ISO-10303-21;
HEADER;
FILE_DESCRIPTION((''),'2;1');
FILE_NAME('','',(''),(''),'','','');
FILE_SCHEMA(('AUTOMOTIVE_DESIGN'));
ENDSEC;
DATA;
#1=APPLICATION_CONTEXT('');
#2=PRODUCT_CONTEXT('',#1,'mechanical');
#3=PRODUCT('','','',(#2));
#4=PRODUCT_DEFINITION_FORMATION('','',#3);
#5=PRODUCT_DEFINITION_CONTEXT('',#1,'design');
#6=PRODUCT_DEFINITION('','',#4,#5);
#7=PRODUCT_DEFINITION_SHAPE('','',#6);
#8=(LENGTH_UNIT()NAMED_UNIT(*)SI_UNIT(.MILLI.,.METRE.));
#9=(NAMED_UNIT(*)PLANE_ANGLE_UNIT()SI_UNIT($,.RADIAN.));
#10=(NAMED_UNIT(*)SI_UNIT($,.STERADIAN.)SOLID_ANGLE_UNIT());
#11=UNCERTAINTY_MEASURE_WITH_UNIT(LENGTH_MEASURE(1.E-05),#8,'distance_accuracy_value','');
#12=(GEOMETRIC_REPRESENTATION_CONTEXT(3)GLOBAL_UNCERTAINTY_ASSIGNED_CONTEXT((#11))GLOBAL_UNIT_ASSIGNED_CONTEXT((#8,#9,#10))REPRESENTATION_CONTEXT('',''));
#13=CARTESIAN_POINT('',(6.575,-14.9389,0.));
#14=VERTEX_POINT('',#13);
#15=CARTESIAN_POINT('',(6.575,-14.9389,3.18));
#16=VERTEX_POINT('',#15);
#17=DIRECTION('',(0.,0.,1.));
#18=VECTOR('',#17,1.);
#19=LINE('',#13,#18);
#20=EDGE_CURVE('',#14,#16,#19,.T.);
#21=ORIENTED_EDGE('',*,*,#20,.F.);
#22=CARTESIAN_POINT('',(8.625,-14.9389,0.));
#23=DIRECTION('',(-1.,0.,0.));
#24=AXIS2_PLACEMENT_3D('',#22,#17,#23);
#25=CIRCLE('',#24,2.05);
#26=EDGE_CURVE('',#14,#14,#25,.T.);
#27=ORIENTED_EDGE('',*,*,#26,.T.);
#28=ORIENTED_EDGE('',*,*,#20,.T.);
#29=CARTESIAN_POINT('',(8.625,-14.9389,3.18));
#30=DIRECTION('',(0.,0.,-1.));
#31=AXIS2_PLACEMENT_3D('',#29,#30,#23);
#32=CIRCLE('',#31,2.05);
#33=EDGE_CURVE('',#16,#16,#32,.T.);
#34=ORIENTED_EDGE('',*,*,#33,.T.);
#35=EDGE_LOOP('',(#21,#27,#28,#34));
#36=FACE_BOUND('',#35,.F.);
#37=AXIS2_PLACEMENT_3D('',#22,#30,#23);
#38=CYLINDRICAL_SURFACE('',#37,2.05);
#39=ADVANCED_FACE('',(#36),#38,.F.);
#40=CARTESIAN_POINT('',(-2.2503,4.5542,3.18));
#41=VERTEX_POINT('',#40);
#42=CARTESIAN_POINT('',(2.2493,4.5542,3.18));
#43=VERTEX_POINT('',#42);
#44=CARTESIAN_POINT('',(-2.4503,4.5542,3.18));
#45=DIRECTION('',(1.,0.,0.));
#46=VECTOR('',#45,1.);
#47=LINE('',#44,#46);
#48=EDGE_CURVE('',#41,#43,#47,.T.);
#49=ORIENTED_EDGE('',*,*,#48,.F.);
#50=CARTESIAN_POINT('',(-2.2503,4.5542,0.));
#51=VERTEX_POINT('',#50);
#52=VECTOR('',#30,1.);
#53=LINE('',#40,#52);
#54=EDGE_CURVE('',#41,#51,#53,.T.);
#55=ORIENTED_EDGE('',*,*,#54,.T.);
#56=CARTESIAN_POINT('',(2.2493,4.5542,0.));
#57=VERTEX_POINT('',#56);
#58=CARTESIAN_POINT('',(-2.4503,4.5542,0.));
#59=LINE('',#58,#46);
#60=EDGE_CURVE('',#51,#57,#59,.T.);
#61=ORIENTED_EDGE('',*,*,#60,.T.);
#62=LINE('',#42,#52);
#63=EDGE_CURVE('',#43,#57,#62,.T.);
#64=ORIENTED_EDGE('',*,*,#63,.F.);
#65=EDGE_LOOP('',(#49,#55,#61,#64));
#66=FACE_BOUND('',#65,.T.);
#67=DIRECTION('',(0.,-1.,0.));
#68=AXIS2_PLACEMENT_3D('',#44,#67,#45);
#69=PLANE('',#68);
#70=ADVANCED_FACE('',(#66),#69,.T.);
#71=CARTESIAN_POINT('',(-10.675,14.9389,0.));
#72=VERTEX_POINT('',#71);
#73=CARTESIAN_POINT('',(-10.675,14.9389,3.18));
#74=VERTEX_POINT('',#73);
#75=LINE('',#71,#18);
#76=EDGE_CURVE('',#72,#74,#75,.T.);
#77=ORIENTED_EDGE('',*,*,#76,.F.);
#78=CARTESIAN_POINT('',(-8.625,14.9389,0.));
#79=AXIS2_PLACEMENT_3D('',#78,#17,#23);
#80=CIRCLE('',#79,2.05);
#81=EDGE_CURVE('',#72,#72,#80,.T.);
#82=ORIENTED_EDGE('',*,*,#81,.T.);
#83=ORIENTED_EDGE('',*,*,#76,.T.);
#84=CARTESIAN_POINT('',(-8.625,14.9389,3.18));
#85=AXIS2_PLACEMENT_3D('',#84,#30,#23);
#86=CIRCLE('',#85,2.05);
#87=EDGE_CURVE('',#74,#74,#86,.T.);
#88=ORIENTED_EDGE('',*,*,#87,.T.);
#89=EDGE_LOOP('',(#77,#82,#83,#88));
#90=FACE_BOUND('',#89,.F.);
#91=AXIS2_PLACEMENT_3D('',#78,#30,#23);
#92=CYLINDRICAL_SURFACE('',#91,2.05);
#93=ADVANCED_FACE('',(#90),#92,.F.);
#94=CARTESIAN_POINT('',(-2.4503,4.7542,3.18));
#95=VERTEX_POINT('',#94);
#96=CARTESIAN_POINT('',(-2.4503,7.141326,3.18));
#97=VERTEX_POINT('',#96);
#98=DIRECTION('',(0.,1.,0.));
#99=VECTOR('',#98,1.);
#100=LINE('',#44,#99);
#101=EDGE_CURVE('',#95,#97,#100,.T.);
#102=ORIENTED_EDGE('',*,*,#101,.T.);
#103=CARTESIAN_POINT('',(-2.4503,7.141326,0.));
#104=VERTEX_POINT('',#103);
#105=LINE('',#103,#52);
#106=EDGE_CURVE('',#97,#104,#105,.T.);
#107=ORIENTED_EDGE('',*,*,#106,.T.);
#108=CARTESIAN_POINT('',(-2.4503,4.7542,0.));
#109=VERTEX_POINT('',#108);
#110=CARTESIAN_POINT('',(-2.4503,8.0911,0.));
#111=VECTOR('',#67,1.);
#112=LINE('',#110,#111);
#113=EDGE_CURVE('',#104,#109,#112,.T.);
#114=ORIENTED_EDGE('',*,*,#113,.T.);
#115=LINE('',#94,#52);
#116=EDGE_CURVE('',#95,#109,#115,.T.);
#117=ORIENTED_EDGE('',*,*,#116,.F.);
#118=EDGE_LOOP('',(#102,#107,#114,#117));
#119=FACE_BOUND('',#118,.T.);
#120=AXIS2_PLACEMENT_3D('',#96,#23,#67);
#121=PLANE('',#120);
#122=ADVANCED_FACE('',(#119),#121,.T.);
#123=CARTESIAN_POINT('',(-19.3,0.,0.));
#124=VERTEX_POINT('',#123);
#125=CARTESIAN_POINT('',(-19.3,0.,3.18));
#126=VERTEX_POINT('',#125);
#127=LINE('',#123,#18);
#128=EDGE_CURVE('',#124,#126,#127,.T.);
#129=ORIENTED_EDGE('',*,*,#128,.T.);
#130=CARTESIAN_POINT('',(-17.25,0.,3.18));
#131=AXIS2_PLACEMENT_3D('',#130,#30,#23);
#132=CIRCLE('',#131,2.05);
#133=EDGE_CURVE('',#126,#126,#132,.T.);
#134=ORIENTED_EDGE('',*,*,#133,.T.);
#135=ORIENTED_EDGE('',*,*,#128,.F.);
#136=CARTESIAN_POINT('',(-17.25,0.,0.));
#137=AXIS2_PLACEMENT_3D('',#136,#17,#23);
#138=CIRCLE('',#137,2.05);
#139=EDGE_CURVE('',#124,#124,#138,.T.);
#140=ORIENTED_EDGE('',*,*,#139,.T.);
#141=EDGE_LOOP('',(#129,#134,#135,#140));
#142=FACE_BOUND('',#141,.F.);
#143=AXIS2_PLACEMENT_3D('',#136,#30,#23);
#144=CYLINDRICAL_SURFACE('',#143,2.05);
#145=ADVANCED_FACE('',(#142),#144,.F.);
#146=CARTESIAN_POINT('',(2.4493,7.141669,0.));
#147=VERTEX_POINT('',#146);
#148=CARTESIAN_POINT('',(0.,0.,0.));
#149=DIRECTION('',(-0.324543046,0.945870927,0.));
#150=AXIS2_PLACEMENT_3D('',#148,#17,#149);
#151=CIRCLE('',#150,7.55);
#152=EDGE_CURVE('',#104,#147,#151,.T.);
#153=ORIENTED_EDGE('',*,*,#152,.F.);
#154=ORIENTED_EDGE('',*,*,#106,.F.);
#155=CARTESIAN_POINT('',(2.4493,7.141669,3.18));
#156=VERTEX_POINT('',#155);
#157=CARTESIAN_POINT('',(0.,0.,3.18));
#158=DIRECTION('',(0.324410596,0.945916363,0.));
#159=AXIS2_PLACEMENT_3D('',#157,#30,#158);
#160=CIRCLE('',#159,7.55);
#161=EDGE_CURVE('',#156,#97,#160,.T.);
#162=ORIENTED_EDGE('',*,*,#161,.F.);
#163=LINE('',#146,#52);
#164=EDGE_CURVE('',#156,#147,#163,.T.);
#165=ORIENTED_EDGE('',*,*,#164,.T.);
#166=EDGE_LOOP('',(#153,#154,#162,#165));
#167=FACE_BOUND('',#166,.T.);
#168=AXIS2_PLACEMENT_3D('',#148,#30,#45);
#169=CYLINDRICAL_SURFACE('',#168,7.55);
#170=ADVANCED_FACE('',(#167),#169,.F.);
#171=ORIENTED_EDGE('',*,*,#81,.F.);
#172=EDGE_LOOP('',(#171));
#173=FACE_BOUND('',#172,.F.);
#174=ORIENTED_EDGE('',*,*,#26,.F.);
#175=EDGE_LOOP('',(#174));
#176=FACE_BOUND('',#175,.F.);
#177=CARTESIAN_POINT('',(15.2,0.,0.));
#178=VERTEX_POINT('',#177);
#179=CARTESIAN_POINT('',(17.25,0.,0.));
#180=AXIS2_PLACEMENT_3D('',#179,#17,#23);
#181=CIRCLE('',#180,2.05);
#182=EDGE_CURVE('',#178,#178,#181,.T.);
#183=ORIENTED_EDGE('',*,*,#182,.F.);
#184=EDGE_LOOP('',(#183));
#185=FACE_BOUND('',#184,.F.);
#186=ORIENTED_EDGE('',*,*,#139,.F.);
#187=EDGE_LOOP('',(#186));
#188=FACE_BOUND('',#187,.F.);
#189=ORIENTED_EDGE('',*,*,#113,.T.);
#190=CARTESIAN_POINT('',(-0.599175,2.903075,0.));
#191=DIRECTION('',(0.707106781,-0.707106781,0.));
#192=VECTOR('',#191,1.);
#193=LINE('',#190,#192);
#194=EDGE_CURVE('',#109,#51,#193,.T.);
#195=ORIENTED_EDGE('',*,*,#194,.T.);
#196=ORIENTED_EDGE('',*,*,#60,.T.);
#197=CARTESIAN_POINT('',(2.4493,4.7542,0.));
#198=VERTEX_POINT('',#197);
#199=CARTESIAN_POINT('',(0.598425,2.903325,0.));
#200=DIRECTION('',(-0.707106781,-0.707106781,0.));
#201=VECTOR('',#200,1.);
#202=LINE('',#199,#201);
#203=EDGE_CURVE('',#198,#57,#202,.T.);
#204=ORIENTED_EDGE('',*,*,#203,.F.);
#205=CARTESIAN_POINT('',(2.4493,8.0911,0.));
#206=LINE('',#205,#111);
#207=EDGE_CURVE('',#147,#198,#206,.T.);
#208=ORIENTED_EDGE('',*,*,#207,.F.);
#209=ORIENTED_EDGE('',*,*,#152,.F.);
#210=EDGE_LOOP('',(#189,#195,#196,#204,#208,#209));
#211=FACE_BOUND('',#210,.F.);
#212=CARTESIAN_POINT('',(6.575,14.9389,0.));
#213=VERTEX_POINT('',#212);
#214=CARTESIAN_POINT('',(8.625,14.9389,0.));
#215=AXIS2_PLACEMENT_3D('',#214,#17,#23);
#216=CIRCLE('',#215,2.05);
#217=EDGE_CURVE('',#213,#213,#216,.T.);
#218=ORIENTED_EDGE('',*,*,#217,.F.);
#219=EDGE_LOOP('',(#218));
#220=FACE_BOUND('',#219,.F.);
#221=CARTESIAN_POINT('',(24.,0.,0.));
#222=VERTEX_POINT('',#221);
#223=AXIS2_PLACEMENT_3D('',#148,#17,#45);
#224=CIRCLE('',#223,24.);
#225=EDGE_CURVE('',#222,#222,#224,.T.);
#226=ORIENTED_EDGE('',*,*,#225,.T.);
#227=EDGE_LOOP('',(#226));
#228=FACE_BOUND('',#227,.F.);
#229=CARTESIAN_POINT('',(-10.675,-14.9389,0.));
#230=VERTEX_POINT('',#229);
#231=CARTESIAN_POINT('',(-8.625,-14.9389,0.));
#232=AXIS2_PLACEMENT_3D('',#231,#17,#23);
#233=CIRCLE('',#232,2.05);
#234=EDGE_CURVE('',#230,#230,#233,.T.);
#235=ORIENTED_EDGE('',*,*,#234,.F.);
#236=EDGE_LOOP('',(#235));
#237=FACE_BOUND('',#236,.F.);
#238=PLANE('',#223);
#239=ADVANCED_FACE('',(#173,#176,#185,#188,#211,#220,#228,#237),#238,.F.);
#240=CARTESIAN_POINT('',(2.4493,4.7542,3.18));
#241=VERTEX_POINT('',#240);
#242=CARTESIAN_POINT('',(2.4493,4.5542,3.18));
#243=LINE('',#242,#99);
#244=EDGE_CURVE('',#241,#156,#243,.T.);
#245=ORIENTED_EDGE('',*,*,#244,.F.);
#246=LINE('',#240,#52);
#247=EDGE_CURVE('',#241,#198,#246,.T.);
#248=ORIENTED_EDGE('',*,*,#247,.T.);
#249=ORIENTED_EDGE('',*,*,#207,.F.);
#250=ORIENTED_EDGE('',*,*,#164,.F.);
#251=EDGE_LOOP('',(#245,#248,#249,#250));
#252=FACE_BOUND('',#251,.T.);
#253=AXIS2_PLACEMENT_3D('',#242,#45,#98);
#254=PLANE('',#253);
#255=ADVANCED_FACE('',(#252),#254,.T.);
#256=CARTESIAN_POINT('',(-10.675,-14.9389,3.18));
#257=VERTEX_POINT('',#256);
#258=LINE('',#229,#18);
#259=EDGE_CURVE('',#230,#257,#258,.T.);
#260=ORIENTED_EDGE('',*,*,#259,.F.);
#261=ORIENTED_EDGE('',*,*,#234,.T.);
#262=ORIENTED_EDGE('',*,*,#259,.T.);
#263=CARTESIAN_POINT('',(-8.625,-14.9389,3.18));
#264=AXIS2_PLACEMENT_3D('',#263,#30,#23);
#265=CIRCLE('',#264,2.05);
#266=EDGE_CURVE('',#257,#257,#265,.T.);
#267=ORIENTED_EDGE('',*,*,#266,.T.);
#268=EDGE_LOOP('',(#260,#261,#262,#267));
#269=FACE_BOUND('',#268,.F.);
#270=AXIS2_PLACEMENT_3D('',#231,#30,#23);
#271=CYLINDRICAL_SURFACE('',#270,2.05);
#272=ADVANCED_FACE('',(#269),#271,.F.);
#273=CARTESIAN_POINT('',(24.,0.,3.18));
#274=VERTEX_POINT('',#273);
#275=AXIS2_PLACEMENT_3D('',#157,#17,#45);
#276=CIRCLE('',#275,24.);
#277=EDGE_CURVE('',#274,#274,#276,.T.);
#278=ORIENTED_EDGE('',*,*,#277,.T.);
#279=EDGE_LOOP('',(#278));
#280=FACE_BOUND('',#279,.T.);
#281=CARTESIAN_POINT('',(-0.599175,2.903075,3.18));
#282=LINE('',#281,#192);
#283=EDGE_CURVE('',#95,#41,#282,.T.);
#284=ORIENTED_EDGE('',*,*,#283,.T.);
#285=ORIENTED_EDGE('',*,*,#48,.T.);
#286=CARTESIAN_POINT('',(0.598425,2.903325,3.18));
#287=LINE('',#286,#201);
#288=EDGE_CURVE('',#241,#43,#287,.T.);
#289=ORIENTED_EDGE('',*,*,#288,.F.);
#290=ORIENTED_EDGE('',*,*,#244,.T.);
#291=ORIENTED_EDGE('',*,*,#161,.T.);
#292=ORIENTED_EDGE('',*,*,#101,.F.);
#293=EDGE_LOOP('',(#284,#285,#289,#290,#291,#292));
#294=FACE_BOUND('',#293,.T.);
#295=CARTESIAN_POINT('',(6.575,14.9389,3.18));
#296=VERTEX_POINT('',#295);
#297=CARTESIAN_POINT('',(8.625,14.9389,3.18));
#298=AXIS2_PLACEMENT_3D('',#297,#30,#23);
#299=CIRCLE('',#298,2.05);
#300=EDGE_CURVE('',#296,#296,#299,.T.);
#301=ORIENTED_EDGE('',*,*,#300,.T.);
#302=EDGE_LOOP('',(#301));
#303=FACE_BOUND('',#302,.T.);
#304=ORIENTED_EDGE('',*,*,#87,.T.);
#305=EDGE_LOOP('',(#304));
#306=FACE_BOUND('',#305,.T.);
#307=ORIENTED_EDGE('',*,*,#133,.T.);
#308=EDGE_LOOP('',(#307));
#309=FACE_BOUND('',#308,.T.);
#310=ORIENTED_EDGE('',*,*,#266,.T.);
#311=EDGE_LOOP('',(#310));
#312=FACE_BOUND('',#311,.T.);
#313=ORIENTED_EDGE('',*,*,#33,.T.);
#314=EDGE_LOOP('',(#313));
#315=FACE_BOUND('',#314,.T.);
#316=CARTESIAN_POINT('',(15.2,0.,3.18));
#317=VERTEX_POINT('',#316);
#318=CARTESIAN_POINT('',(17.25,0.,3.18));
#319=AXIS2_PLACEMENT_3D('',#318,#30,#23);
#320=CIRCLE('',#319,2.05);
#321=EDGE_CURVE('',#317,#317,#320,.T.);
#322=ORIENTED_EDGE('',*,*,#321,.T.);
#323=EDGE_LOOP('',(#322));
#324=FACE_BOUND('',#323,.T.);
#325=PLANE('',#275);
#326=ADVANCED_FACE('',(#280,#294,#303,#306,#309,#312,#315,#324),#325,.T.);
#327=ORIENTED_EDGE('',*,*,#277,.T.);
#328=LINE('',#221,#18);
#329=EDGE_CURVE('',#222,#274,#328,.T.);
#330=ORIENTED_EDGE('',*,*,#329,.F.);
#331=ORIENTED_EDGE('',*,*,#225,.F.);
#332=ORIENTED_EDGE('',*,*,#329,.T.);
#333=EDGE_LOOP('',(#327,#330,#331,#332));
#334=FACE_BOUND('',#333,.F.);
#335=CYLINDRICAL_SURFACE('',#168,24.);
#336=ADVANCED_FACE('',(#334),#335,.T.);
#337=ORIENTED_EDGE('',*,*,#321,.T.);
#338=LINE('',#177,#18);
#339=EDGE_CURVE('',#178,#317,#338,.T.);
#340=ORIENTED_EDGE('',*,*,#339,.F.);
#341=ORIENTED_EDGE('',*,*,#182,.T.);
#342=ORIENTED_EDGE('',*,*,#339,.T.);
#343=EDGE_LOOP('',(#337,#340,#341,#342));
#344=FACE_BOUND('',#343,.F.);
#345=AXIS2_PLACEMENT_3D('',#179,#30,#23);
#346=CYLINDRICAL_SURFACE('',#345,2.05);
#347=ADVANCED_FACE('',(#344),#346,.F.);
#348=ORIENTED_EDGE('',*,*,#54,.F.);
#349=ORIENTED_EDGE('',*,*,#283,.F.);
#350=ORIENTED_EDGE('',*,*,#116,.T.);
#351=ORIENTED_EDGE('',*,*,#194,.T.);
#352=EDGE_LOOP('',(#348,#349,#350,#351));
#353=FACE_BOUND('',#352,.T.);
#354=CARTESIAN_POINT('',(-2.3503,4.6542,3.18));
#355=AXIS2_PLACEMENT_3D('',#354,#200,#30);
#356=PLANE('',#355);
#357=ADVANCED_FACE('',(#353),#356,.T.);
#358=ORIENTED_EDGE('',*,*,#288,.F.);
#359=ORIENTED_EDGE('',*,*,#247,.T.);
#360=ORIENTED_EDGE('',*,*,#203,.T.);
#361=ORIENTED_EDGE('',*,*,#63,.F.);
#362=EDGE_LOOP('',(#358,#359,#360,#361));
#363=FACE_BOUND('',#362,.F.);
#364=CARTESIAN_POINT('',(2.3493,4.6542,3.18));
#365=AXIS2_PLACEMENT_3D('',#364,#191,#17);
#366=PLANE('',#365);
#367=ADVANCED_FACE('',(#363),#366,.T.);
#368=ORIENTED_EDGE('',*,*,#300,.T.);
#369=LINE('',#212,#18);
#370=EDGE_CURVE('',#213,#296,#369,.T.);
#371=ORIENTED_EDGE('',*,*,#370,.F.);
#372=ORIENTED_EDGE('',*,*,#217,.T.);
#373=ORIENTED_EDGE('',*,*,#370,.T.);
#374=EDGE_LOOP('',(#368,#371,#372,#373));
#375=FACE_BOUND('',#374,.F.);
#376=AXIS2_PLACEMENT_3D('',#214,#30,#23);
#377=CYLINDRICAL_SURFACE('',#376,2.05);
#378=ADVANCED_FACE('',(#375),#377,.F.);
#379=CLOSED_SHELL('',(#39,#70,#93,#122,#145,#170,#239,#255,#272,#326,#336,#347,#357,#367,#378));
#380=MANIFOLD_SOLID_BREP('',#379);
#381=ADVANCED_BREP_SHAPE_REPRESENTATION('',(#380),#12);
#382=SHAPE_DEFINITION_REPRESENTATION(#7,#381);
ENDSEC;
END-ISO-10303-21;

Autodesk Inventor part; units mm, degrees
ref_plane "YZ Plane" through (0, 0, 0) normal (1, 0, 0) x (0, 1, 0)
ref_plane "XZ Plane" through (0, 0, 0) normal (0, 1, 0) x (-1, 0, 0)
ref_plane "XY Plane" through (0, 0, 0) normal (0, 0, 1) x (1, 0, 0)
sketch "Sketch1" plane through (0, 0, 0) normal (0, 0, 1) x (1, 0, 0)
  circle A0 centre (0, 0) radius 24
  circle A1 centre (0, 0) radius 7.55
  dimension "d0" = 48
  dimension "d1" = 15.1
extrude "Extrusion1" add sketch "Sketch1" along normal blind 3.18
sketch "Sketch2" plane through (0, 0, 0) normal (0, 0, -1) x (-1, 0, 0)
  circle A0 centre (-16.5319, -11.256) radius 2.05 projected
  circle A1 centre (-19.649, 3.7306) radius 2.05 projected
  circle A2 centre (-17.0544, -2.5903) radius 1.65 projected
  circle A3 centre (-6.284, -16.0647) radius 1.65 projected
  circle A4 centre (-6.284, -16.0647) radius 1.65
  circle A5 centre (0, 0) radius 7.55 projected
  line L0 (0, 0) -> (0, -29.2074)
  line L1 (0, 0) -> (-14.8823, -25.7769)
  circle A6 centre (0, 0) radius 17.25
  circle A7 centre (-8.625, -14.9389) radius 2.05
  circle A8 centre (8.625, -14.9389) radius 2.05
  circle A9 centre (17.25, 0) radius 2.05
  circle A10 centre (8.625, 14.9389) radius 2.05
  circle A11 centre (-8.625, 14.9389) radius 2.05
  circle A12 centre (-17.25, 0) radius 2.05
  dimension "d26" = 30
  dimension "d27" = 4.1
  dimension "d30" = 360
extrude "Extrusion2" cut sketch "Sketch2" against normal through all contours A12 A6 A2 | A2 A6 A12 | A6 A12 A2 | A2 A12 A6 | A7 L1 A6 | A6 L1 A7 | A6 A3 A7 L1 | L1 A7 A3 A6 | A11 A6 | A6 A11 | A6 A7 A3 | A3 A7 A6 | A10 A6 | A6 A10 | A8 A6 | A6 A8 | A9 A6 | A6 A9 picked at (-16.7628, -1.5642) picked at (-16.3049, -0.3328) picked at (-17.5539, -1.6273) picked at (-18.131, -0.5464) picked at (-7.3677, -16.0157) picked at (-7.0171, -15.2489)
sketch "Sketch3" plane through (0, 0, 3.18) normal (0, 0, 1) x (1, 0, 0)
  line L0 (-2.5, 4.5) -> (-2.5, 7.0711)
  arc A0 (-2.5, 7.0711) -> (2.5, 7.0711) centre (0, 0) ccw
  line L1 (2.5, 7.0711) -> (2.5, 4.5)
  line L2 (2.5, 4.5) -> (-2.5, 4.5)
  line L3 (-2.4503, 4.5542) -> (2.4493, 4.5542)
  line L4 (2.4493, 4.5542) -> (2.4493, 8.0911)
  line L5 (2.4493, 8.0911) -> (-2.4503, 8.0911)
  line L6 (-2.4503, 8.0911) -> (-2.4503, 4.5542)
  circle A1 centre (0, 0) radius 7.55 projected
  dimension "d16" = 7.5
  dimension "d17" = 5
  dimension "d18" = 2.9958
extrude "Extrusion3" add sketch "Sketch3" against normal up to surface (3.18 mm away) contours L6 A1 L4 L3 | L6 L5 L4 A1 picked at (-0.2772, 5.5375)
chamfer "Chamfer1" distance 0.2 angle 45 2 edges at (-2.4503, 4.5542, 1.59) (2.4493, 4.5542, 1.59)
properties part number "spool_spacer_driver"
